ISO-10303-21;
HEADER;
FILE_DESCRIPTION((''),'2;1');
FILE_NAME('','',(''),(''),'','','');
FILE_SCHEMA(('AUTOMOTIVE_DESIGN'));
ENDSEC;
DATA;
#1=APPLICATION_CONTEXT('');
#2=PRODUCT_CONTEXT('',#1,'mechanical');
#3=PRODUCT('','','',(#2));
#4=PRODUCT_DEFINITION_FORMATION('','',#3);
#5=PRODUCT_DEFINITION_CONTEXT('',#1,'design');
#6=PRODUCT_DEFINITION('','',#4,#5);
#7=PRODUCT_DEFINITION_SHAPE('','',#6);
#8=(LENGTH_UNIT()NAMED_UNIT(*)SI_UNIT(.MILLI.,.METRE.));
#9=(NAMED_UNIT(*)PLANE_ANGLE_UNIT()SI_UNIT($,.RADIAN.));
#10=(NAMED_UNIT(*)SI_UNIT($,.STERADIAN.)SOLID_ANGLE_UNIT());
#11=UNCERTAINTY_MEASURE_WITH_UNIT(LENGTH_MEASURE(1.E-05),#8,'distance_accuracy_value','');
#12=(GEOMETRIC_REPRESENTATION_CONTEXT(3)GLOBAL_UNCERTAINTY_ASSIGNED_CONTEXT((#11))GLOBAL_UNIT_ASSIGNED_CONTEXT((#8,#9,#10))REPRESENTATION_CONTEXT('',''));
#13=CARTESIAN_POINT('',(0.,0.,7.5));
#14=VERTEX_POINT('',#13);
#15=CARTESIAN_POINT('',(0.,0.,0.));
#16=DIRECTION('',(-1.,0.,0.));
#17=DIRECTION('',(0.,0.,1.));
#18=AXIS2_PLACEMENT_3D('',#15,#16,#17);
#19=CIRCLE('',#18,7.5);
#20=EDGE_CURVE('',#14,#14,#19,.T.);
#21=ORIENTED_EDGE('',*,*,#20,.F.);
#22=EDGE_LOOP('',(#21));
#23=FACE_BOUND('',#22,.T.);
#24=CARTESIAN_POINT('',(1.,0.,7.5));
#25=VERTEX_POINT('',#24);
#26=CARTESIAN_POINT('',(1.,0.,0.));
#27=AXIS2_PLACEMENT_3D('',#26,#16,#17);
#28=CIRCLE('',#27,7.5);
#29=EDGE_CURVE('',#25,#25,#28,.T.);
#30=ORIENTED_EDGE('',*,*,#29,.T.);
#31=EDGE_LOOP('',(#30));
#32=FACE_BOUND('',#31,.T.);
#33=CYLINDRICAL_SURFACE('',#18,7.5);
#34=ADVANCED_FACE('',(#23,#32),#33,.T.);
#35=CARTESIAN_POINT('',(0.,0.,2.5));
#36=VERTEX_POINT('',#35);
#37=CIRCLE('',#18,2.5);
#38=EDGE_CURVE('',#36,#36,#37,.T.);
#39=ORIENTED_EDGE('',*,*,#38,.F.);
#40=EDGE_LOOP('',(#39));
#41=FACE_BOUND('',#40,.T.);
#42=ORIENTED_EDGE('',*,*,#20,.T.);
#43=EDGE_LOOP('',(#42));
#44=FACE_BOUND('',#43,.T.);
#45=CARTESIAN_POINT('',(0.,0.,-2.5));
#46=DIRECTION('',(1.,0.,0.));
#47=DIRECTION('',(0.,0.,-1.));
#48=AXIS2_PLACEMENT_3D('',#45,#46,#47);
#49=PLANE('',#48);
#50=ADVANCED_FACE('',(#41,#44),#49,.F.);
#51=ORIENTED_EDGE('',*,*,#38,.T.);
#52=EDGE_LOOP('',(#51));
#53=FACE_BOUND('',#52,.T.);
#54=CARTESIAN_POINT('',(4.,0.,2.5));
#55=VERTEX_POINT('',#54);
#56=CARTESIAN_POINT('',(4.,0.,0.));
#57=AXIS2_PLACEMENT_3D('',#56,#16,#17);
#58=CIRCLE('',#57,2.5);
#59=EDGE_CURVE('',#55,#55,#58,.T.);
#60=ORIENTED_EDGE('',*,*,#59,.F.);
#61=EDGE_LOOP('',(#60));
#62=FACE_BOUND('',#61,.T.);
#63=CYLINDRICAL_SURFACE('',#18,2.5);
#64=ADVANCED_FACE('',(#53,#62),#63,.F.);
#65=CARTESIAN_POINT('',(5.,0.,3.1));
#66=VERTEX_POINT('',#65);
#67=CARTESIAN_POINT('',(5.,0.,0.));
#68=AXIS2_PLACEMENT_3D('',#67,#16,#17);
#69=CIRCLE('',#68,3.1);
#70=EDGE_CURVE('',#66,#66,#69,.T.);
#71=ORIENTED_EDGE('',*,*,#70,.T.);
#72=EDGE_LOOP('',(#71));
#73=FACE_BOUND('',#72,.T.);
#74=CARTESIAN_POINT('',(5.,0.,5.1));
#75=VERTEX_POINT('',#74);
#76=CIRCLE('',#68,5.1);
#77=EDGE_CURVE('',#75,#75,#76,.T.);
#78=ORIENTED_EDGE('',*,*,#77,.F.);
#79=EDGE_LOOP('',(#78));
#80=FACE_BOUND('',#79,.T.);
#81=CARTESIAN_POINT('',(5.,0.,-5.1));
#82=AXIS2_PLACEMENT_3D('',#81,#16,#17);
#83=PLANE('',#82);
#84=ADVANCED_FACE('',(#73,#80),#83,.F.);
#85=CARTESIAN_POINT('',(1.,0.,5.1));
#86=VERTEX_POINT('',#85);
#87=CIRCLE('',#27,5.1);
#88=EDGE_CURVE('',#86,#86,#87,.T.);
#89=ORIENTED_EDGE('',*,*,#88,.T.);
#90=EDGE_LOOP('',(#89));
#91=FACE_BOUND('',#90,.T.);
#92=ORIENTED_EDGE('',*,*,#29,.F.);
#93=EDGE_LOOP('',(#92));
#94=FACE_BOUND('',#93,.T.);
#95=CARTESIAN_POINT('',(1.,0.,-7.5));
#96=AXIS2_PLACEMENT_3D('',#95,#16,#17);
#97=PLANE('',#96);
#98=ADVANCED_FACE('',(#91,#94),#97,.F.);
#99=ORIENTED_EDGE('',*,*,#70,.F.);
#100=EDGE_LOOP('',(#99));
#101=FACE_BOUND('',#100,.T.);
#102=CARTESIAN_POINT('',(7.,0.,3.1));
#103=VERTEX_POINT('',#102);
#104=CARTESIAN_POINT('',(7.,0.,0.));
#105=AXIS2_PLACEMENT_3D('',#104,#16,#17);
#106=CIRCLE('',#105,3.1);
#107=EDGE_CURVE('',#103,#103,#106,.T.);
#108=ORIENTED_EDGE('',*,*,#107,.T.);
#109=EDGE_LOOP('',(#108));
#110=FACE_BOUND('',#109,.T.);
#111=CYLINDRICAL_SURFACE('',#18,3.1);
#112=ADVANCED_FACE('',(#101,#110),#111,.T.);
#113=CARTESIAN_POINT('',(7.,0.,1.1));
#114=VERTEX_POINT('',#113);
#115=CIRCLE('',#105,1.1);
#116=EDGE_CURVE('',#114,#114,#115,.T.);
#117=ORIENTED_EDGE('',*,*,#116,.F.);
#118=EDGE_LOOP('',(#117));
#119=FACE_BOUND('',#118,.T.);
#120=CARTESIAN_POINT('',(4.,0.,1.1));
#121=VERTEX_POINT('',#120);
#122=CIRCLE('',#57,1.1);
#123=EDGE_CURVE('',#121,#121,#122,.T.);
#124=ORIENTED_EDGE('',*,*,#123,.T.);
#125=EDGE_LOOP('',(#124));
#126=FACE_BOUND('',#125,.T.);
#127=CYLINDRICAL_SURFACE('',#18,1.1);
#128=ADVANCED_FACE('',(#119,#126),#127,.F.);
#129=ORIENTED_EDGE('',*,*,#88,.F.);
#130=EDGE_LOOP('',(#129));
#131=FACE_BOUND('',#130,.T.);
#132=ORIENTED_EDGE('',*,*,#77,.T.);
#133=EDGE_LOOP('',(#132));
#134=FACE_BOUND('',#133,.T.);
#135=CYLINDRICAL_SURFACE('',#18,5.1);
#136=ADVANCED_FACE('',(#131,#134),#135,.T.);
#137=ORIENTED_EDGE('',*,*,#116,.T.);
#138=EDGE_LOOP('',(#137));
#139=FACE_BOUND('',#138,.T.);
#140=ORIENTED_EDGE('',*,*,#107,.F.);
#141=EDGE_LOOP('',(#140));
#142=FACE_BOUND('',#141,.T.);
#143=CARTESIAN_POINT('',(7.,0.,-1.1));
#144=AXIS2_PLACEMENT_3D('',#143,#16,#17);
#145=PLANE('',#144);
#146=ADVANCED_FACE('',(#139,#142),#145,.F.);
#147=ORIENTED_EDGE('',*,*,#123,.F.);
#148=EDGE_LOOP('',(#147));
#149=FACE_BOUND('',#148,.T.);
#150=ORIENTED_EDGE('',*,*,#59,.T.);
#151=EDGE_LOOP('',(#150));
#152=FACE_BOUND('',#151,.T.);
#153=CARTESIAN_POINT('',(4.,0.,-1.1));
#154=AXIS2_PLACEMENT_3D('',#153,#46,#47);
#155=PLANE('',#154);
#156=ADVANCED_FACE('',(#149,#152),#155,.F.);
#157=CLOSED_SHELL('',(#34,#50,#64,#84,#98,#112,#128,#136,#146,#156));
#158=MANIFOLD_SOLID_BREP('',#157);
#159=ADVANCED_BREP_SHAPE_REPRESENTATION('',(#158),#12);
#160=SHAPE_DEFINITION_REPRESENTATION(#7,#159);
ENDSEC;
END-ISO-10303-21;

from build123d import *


with BuildPart() as part:
    # Sketch1 → Revolve1 (revolve)
    with BuildSketch(Plane(origin=(0, 0, 0), x_dir=(1, 0, 0), z_dir=(0, 1, 0))):
        Polygon((0, 2.5), (0, 7.5), (1, 7.5), (1, 5.1), (5, 5.1), (5, 3.1), (7, 3.1), (7, 1.1), (4, 1.1), (4, 2.5), align=None)
    revolve(axis=Axis((0, 0, 0), (1, 0, 0)))


solid = part.part
